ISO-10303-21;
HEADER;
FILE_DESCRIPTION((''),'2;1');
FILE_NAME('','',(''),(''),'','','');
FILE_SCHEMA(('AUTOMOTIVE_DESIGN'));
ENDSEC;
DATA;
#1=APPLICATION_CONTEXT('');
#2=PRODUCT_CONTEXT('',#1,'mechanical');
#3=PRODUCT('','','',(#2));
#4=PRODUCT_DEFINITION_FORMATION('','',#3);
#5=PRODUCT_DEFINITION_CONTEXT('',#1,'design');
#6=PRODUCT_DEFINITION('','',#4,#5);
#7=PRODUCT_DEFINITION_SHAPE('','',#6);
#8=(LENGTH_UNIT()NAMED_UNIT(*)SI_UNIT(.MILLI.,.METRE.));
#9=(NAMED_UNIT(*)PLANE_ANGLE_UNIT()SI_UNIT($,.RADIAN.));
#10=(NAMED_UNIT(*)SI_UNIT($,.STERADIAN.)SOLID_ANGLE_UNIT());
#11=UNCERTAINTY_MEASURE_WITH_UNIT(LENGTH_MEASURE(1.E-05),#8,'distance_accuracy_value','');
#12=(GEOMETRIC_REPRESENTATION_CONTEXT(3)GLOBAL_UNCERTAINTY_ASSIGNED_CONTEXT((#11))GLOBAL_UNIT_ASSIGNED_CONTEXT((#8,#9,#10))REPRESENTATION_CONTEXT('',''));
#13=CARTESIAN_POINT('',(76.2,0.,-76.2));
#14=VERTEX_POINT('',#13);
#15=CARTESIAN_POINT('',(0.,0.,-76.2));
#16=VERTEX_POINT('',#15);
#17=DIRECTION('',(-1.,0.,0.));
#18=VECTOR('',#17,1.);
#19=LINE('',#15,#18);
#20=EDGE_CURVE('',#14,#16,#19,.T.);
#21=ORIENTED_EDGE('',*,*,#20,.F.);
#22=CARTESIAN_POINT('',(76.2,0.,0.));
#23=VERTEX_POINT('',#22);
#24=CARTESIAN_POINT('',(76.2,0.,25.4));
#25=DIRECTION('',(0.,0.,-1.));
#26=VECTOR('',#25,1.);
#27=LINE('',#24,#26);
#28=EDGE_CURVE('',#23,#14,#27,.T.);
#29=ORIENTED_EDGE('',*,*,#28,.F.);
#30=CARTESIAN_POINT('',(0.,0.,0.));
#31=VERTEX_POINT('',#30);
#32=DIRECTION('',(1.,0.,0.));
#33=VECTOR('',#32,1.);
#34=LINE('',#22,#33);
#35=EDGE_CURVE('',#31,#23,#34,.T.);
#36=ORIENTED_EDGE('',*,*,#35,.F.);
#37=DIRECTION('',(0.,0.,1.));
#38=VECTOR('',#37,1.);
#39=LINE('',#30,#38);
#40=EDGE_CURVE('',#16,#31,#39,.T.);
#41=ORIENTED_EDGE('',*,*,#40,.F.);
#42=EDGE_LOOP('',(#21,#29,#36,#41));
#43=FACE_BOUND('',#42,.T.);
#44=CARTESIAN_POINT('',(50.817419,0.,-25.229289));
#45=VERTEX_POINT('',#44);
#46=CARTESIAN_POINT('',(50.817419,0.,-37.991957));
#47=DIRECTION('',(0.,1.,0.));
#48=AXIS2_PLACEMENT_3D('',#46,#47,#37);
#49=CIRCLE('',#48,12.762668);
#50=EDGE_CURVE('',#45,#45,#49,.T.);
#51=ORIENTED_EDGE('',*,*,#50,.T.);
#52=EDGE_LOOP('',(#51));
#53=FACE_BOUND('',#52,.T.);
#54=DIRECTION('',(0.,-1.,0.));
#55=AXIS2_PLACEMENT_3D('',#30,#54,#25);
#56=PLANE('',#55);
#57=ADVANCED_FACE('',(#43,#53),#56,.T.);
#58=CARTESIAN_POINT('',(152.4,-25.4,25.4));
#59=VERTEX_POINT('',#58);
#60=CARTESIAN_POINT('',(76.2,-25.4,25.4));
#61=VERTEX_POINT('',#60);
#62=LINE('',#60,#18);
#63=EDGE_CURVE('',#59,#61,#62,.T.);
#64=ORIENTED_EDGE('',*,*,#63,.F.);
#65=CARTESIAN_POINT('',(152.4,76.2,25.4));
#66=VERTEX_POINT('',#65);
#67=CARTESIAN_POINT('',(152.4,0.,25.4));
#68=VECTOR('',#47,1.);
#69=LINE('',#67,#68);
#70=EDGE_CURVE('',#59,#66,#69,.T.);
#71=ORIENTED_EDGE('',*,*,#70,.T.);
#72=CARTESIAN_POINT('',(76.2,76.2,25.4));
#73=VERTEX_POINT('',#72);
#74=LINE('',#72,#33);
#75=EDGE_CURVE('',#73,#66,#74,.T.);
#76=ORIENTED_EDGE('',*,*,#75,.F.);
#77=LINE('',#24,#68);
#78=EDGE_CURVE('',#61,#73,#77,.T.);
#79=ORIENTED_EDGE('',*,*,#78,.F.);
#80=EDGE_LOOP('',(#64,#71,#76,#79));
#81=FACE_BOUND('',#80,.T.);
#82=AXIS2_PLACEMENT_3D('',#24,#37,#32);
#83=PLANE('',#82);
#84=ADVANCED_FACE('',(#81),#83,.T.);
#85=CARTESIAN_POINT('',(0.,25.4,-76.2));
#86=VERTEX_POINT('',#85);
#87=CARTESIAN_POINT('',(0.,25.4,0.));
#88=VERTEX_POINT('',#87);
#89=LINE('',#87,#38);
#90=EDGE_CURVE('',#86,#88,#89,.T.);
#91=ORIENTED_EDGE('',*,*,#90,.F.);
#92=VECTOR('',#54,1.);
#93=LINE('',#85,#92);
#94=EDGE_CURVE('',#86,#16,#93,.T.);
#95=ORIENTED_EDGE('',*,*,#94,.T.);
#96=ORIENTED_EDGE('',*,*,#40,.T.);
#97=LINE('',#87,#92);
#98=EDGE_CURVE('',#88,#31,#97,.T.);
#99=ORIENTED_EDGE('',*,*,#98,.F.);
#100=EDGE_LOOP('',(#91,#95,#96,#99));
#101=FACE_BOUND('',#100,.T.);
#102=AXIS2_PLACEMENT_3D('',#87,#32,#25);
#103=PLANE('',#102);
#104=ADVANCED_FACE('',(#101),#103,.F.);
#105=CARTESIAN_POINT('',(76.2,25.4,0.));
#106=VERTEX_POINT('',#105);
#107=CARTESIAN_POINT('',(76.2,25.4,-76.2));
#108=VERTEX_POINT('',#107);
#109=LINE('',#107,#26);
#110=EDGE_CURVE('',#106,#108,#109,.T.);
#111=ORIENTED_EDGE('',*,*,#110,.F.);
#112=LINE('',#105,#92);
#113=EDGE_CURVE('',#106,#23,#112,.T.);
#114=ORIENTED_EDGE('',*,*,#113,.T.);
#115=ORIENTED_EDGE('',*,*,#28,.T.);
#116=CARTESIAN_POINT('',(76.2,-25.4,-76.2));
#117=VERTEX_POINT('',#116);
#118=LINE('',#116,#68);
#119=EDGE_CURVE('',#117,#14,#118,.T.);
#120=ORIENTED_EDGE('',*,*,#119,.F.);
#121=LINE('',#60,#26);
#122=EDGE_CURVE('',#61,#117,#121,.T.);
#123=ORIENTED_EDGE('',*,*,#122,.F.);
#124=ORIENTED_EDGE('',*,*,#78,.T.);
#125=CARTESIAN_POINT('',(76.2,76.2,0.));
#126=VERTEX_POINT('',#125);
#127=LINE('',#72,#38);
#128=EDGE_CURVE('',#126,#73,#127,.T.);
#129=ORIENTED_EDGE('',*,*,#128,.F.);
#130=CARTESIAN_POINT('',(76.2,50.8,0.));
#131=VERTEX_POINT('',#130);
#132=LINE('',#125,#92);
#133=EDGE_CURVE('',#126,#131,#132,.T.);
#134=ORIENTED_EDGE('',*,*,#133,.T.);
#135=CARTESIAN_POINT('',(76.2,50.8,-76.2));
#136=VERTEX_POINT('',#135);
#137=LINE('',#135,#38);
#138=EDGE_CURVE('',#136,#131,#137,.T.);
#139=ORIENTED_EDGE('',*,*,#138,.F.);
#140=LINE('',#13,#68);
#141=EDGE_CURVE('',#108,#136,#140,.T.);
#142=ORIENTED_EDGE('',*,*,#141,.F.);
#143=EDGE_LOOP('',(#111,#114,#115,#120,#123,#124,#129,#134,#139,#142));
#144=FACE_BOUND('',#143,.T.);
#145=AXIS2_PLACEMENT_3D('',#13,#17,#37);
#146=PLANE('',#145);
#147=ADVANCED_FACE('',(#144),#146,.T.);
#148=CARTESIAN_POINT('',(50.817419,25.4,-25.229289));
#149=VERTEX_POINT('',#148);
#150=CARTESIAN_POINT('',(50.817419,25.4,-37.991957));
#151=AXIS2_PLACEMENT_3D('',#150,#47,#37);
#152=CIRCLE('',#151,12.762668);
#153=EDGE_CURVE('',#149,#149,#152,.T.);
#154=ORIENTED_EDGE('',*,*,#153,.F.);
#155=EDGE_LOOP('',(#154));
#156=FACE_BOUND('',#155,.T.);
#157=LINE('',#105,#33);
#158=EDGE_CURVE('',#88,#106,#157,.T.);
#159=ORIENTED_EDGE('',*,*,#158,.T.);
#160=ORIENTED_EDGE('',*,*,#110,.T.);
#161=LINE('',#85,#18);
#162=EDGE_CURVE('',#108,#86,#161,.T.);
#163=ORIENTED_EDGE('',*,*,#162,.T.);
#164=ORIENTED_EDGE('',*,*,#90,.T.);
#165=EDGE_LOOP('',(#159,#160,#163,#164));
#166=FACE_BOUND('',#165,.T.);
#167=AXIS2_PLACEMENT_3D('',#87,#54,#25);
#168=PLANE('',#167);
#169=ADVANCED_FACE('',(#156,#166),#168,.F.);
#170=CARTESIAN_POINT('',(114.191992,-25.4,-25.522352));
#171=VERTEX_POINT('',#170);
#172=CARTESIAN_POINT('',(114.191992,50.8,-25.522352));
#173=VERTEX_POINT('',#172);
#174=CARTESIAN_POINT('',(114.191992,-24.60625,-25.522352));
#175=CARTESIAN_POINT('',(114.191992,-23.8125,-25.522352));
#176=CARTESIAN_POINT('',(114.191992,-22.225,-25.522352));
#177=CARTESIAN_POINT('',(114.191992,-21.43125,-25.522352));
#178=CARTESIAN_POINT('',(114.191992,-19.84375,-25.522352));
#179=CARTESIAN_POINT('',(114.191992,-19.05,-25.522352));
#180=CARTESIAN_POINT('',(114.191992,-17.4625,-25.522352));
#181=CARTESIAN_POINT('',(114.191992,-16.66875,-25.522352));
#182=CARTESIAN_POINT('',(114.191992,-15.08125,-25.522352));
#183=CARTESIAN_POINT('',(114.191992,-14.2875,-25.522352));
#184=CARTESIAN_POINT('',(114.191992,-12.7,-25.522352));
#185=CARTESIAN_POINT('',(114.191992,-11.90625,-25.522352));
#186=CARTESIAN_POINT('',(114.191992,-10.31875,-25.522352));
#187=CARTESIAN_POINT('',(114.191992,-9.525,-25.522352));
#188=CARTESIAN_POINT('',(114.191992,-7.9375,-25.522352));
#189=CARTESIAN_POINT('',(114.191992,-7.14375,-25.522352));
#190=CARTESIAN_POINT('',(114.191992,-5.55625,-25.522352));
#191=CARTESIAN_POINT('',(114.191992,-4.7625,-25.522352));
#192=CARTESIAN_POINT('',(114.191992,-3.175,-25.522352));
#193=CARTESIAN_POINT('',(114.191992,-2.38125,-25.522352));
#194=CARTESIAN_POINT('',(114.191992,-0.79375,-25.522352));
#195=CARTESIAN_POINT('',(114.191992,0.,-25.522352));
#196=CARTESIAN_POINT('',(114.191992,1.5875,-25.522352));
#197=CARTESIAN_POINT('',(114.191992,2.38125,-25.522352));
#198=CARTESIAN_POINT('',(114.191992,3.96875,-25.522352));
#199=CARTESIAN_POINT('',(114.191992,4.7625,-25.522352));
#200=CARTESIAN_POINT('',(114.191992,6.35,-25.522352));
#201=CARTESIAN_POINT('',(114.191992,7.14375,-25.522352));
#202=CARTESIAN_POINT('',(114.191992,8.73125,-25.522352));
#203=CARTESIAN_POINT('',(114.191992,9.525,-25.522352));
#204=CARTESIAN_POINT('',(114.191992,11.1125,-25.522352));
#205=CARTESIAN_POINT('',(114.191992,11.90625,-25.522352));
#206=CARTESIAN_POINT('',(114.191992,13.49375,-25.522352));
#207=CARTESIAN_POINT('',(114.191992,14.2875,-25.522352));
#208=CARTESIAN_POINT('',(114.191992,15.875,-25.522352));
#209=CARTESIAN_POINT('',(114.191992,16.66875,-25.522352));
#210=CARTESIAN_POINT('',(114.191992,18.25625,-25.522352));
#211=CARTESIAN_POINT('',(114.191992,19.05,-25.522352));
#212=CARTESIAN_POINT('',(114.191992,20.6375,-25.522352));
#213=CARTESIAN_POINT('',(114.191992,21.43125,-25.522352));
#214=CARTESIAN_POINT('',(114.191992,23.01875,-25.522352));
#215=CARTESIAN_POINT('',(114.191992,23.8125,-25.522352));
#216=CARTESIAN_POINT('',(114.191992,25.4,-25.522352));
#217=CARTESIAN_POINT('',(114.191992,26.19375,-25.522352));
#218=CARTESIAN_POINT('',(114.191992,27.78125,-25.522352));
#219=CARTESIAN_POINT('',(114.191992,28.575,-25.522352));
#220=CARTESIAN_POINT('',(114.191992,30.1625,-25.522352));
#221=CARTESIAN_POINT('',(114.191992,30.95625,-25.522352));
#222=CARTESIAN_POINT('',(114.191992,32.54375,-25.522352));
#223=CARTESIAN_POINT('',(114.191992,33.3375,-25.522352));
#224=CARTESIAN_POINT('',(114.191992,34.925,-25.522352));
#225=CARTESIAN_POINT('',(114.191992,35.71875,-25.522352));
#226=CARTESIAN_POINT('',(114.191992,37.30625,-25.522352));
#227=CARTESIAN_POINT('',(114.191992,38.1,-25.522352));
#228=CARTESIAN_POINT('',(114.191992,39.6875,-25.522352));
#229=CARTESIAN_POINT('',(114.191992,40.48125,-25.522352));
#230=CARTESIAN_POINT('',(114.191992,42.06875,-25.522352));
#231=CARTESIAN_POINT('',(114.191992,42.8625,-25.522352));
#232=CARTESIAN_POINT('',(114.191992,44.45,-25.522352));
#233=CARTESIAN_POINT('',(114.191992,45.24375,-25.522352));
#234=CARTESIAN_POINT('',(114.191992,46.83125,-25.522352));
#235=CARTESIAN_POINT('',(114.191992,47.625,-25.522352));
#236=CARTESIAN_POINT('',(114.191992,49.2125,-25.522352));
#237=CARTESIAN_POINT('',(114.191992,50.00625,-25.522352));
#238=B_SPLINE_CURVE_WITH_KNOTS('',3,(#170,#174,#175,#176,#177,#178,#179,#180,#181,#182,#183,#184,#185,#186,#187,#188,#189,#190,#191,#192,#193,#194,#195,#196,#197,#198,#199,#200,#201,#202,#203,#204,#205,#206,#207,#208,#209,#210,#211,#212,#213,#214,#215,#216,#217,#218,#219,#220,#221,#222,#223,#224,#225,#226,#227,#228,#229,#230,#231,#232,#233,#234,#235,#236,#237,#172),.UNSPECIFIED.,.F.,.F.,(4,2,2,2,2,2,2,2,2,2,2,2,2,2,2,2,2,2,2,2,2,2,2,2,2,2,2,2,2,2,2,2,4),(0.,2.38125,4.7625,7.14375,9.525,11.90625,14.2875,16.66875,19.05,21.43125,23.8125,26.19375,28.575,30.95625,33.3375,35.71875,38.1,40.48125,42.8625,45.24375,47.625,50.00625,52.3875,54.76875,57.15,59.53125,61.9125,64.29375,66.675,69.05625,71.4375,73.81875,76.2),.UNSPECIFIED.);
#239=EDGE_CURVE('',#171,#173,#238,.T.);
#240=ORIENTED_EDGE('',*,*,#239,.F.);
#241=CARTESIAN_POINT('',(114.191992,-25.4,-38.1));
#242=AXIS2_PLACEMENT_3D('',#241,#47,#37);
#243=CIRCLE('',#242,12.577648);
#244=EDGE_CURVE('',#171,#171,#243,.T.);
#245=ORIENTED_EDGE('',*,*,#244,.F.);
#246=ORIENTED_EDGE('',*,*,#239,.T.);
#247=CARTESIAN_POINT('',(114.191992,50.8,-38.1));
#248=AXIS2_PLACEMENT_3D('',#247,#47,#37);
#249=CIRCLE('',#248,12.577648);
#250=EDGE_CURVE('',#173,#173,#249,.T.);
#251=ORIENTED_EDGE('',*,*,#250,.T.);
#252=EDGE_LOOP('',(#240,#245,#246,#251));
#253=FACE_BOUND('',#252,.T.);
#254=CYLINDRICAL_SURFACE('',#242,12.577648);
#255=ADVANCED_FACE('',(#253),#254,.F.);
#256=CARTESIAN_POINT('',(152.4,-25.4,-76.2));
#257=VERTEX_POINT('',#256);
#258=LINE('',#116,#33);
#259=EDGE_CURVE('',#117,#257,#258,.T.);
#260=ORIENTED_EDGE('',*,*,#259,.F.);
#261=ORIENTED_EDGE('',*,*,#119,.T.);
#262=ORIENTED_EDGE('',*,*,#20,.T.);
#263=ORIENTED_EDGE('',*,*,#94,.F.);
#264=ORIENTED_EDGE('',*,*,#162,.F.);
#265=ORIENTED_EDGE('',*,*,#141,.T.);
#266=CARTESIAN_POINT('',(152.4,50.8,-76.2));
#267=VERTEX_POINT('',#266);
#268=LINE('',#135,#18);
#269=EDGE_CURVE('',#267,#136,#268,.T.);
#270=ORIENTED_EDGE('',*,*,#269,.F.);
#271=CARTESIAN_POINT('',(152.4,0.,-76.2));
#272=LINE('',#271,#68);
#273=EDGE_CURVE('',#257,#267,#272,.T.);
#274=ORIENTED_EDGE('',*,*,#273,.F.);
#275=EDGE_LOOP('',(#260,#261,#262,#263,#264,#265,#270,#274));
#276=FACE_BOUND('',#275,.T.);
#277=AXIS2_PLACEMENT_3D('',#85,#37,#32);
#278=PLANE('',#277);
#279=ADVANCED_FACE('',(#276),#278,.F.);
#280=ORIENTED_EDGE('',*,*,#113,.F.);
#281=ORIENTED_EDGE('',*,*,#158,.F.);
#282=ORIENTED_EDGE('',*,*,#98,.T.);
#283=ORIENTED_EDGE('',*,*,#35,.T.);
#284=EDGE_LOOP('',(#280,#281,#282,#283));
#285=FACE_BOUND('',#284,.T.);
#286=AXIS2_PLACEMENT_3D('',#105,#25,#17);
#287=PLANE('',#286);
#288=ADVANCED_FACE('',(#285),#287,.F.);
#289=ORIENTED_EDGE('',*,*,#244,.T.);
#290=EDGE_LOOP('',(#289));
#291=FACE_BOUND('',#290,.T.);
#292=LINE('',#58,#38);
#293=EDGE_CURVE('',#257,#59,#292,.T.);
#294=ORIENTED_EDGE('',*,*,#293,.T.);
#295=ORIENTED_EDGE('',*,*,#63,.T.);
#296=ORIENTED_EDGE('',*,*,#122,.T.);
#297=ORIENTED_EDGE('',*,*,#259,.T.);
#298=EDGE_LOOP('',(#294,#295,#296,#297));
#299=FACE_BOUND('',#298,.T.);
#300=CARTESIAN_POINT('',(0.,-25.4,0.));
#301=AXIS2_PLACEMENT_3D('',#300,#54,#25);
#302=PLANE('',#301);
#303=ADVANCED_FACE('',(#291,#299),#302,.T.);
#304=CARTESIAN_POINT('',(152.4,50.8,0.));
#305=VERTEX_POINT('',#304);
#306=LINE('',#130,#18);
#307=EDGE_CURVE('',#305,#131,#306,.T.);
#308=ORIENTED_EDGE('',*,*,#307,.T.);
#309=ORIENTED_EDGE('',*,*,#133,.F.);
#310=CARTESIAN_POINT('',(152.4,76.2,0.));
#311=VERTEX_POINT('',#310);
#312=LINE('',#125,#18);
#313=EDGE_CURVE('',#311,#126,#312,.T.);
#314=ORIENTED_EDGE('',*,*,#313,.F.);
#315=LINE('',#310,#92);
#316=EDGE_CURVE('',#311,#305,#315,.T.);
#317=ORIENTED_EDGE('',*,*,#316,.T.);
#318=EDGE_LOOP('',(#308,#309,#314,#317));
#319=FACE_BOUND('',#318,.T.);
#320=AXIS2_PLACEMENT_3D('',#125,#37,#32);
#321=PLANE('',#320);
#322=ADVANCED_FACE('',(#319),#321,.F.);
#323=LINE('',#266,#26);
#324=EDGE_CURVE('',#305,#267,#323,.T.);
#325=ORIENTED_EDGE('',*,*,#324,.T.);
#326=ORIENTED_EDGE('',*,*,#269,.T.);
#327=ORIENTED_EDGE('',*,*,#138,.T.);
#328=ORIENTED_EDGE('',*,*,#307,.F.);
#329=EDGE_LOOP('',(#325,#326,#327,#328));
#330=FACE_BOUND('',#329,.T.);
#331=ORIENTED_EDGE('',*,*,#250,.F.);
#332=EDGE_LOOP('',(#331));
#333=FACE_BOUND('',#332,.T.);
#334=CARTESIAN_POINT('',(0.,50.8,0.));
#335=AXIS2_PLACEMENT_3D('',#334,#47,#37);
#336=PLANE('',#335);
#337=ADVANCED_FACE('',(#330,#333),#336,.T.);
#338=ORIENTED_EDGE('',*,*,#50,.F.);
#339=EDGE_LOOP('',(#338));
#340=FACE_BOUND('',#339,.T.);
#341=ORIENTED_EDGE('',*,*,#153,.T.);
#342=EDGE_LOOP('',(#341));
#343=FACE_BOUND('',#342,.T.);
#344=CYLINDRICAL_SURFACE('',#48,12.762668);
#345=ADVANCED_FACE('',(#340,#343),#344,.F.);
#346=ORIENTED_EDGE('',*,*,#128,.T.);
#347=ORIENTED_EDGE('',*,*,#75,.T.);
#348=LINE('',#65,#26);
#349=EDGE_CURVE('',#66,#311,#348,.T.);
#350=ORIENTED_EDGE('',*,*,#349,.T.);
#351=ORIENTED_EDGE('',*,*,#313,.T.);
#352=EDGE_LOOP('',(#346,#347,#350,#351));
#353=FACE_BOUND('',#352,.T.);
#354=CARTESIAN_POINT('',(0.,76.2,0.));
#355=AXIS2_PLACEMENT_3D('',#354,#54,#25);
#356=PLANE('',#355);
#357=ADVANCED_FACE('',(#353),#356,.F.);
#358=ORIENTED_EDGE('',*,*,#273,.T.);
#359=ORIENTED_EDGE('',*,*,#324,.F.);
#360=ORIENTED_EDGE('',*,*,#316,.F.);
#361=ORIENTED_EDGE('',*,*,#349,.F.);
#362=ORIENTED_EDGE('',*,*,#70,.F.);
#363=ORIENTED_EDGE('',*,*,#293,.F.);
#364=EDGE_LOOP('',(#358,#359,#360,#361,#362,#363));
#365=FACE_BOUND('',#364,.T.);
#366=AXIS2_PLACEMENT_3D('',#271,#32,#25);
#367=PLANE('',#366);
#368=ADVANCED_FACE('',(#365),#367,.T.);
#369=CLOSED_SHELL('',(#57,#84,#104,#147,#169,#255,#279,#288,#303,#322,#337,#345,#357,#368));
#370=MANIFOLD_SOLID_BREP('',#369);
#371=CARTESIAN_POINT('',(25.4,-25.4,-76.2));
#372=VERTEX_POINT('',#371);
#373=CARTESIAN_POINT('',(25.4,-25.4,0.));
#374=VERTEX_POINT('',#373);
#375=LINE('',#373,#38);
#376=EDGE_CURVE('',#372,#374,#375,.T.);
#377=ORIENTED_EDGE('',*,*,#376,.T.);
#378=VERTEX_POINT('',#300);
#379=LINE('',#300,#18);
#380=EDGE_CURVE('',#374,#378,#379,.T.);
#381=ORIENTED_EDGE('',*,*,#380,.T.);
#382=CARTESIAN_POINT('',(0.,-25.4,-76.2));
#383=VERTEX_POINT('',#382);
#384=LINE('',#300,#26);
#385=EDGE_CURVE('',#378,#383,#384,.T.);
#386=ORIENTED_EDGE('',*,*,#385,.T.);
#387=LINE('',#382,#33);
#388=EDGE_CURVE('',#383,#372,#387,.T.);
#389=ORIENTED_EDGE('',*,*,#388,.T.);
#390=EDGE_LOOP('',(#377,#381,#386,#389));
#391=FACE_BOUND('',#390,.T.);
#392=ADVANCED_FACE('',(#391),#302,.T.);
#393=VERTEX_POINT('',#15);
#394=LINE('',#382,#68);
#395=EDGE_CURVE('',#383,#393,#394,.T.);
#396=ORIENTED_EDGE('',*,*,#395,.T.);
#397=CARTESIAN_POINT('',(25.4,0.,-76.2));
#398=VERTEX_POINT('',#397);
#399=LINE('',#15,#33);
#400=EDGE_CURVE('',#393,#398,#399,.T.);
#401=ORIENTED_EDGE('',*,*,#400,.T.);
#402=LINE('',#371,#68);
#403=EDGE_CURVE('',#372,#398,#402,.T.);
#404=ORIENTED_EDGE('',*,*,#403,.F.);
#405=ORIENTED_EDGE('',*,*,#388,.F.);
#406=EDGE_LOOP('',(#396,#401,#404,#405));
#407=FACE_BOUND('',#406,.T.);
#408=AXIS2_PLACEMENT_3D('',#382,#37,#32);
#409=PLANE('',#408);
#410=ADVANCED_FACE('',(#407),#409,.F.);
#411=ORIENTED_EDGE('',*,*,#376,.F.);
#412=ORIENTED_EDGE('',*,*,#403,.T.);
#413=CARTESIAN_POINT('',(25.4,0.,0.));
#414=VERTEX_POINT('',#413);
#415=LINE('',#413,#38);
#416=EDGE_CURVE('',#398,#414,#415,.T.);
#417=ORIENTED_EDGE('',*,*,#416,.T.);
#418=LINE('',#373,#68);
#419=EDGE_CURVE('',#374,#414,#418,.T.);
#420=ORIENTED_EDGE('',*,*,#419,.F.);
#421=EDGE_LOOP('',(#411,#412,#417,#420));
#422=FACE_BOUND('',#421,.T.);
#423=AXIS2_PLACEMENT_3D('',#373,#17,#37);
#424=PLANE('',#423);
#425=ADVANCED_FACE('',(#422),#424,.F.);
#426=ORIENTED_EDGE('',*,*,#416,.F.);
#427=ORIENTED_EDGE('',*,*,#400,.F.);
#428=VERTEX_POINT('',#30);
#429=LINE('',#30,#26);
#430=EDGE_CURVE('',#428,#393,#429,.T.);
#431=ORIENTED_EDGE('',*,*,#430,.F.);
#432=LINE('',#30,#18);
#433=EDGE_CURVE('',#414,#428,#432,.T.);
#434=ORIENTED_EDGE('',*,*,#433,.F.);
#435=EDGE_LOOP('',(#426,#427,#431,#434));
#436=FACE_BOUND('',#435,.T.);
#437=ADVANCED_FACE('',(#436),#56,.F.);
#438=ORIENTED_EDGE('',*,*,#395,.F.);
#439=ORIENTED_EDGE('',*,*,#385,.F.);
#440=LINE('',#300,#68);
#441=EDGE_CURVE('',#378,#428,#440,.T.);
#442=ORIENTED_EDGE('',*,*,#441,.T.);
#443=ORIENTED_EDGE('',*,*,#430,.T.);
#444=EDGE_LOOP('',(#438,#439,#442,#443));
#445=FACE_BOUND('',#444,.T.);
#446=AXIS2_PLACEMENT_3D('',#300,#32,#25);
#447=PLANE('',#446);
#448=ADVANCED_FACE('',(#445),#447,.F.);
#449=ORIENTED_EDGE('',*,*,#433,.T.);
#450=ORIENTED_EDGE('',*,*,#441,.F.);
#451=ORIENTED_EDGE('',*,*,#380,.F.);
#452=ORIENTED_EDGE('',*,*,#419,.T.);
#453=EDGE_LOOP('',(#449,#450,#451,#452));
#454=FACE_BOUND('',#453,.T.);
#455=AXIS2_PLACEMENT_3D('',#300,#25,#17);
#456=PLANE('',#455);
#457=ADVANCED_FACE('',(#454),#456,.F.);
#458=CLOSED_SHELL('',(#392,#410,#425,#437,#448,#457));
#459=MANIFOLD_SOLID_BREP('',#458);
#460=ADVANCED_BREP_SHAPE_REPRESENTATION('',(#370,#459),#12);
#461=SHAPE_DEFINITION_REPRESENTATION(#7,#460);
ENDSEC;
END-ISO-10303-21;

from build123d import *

# Parameters (mm, degrees)
SKETCH1_W                = 76.2
SKETCH1_H                = 76.2
BOSS_EXTRUDE1_DEPTH      = 25.4
BOSS_EXTRUDE2_DEPTH      = 25.4
BOSS_EXTRUDE2_DEPTH_BACK = 25.4
SKETCH2_W                = 76.2
SKETCH2_H                = 101.6
SKETCH3_W                = 25.4
SKETCH3_H                = 76.2
BOSS_EXTRUDE3_DEPTH      = 25.4
SKETCH4_W                = 76.2
SKETCH4_H                = 25.4
BOSS_EXTRUDE4_DEPTH      = 25.4
SKETCH5_W                = 76.2
SKETCH5_H                = 101.6
BOSS_EXTRUDE5_DEPTH      = 25.4
SKETCH7_R                = 12.577647636
CUT_EXTRUDE1_DEPTH       = 76.2
SKETCH6_R                = 12.762668173
CUT_EXTRUDE2_DEPTH       = 25.4


with BuildPart() as part:
    # Sketch1 → Boss-Extrude1 (new body)
    with BuildSketch(Plane(origin=(0, 0, 0), x_dir=(1, 0, 0), z_dir=(0, 1, 0))):
        with Locations((38.1, 38.1)):
            Rectangle(SKETCH1_W, SKETCH1_H)
    extrude(amount=BOSS_EXTRUDE1_DEPTH)

    # Sketch2 → Boss-Extrude2 (add, two sides: drawn at the far end of the back side and taken through both)
    with BuildSketch(Plane(origin=(0, 25.4, 0), x_dir=(1, 0, 0), z_dir=(0, 1, 0)).offset(-BOSS_EXTRUDE2_DEPTH_BACK)):
        with Locations((114.3, 25.4)):
            Rectangle(SKETCH2_W, SKETCH2_H)
    extrude(amount=BOSS_EXTRUDE2_DEPTH + BOSS_EXTRUDE2_DEPTH_BACK)

    # Sketch4 → Boss-Extrude4 (add)
    with BuildSketch(Plane(origin=(0, 50.8, 0), x_dir=(1, 0, 0), z_dir=(0, 1, 0))):
        with Locations((114.3, -12.7)):
            Rectangle(SKETCH4_W, SKETCH4_H)
    extrude(amount=BOSS_EXTRUDE4_DEPTH)

    # Sketch5 → Boss-Extrude5 (add)
    with BuildSketch(Plane.XZ):
        with Locations((114.3, -25.4)):
            Rectangle(SKETCH5_W, SKETCH5_H)
    extrude(amount=BOSS_EXTRUDE5_DEPTH)

    # Sketch7 → Cut-Extrude1 (cut)
    with BuildSketch(Plane(origin=(0, 50.8, 0), x_dir=(1, 0, 0), z_dir=(0, 1, 0))):
        with Locations((114.191992331, 38.1)):
            Circle(SKETCH7_R)
    extrude(amount=-CUT_EXTRUDE1_DEPTH, mode=Mode.SUBTRACT)

    # Sketch6 → Cut-Extrude2 (cut)
    with BuildSketch(Plane(origin=(0, 25.4, 0), x_dir=(1, 0, 0), z_dir=(0, 1, 0))):
        with Locations((50.817418917, 37.991957485)):
            Circle(SKETCH6_R)
    extrude(amount=-CUT_EXTRUDE2_DEPTH, mode=Mode.SUBTRACT)


with BuildPart() as body_2:
    # Sketch3 → Boss-Extrude3 (new body)
    with BuildSketch(Plane.XZ):
        with Locations((12.7, -38.1)):
            Rectangle(SKETCH3_W, SKETCH3_H)
    extrude(amount=BOSS_EXTRUDE3_DEPTH)


solid = Compound([part.part, body_2.part])
